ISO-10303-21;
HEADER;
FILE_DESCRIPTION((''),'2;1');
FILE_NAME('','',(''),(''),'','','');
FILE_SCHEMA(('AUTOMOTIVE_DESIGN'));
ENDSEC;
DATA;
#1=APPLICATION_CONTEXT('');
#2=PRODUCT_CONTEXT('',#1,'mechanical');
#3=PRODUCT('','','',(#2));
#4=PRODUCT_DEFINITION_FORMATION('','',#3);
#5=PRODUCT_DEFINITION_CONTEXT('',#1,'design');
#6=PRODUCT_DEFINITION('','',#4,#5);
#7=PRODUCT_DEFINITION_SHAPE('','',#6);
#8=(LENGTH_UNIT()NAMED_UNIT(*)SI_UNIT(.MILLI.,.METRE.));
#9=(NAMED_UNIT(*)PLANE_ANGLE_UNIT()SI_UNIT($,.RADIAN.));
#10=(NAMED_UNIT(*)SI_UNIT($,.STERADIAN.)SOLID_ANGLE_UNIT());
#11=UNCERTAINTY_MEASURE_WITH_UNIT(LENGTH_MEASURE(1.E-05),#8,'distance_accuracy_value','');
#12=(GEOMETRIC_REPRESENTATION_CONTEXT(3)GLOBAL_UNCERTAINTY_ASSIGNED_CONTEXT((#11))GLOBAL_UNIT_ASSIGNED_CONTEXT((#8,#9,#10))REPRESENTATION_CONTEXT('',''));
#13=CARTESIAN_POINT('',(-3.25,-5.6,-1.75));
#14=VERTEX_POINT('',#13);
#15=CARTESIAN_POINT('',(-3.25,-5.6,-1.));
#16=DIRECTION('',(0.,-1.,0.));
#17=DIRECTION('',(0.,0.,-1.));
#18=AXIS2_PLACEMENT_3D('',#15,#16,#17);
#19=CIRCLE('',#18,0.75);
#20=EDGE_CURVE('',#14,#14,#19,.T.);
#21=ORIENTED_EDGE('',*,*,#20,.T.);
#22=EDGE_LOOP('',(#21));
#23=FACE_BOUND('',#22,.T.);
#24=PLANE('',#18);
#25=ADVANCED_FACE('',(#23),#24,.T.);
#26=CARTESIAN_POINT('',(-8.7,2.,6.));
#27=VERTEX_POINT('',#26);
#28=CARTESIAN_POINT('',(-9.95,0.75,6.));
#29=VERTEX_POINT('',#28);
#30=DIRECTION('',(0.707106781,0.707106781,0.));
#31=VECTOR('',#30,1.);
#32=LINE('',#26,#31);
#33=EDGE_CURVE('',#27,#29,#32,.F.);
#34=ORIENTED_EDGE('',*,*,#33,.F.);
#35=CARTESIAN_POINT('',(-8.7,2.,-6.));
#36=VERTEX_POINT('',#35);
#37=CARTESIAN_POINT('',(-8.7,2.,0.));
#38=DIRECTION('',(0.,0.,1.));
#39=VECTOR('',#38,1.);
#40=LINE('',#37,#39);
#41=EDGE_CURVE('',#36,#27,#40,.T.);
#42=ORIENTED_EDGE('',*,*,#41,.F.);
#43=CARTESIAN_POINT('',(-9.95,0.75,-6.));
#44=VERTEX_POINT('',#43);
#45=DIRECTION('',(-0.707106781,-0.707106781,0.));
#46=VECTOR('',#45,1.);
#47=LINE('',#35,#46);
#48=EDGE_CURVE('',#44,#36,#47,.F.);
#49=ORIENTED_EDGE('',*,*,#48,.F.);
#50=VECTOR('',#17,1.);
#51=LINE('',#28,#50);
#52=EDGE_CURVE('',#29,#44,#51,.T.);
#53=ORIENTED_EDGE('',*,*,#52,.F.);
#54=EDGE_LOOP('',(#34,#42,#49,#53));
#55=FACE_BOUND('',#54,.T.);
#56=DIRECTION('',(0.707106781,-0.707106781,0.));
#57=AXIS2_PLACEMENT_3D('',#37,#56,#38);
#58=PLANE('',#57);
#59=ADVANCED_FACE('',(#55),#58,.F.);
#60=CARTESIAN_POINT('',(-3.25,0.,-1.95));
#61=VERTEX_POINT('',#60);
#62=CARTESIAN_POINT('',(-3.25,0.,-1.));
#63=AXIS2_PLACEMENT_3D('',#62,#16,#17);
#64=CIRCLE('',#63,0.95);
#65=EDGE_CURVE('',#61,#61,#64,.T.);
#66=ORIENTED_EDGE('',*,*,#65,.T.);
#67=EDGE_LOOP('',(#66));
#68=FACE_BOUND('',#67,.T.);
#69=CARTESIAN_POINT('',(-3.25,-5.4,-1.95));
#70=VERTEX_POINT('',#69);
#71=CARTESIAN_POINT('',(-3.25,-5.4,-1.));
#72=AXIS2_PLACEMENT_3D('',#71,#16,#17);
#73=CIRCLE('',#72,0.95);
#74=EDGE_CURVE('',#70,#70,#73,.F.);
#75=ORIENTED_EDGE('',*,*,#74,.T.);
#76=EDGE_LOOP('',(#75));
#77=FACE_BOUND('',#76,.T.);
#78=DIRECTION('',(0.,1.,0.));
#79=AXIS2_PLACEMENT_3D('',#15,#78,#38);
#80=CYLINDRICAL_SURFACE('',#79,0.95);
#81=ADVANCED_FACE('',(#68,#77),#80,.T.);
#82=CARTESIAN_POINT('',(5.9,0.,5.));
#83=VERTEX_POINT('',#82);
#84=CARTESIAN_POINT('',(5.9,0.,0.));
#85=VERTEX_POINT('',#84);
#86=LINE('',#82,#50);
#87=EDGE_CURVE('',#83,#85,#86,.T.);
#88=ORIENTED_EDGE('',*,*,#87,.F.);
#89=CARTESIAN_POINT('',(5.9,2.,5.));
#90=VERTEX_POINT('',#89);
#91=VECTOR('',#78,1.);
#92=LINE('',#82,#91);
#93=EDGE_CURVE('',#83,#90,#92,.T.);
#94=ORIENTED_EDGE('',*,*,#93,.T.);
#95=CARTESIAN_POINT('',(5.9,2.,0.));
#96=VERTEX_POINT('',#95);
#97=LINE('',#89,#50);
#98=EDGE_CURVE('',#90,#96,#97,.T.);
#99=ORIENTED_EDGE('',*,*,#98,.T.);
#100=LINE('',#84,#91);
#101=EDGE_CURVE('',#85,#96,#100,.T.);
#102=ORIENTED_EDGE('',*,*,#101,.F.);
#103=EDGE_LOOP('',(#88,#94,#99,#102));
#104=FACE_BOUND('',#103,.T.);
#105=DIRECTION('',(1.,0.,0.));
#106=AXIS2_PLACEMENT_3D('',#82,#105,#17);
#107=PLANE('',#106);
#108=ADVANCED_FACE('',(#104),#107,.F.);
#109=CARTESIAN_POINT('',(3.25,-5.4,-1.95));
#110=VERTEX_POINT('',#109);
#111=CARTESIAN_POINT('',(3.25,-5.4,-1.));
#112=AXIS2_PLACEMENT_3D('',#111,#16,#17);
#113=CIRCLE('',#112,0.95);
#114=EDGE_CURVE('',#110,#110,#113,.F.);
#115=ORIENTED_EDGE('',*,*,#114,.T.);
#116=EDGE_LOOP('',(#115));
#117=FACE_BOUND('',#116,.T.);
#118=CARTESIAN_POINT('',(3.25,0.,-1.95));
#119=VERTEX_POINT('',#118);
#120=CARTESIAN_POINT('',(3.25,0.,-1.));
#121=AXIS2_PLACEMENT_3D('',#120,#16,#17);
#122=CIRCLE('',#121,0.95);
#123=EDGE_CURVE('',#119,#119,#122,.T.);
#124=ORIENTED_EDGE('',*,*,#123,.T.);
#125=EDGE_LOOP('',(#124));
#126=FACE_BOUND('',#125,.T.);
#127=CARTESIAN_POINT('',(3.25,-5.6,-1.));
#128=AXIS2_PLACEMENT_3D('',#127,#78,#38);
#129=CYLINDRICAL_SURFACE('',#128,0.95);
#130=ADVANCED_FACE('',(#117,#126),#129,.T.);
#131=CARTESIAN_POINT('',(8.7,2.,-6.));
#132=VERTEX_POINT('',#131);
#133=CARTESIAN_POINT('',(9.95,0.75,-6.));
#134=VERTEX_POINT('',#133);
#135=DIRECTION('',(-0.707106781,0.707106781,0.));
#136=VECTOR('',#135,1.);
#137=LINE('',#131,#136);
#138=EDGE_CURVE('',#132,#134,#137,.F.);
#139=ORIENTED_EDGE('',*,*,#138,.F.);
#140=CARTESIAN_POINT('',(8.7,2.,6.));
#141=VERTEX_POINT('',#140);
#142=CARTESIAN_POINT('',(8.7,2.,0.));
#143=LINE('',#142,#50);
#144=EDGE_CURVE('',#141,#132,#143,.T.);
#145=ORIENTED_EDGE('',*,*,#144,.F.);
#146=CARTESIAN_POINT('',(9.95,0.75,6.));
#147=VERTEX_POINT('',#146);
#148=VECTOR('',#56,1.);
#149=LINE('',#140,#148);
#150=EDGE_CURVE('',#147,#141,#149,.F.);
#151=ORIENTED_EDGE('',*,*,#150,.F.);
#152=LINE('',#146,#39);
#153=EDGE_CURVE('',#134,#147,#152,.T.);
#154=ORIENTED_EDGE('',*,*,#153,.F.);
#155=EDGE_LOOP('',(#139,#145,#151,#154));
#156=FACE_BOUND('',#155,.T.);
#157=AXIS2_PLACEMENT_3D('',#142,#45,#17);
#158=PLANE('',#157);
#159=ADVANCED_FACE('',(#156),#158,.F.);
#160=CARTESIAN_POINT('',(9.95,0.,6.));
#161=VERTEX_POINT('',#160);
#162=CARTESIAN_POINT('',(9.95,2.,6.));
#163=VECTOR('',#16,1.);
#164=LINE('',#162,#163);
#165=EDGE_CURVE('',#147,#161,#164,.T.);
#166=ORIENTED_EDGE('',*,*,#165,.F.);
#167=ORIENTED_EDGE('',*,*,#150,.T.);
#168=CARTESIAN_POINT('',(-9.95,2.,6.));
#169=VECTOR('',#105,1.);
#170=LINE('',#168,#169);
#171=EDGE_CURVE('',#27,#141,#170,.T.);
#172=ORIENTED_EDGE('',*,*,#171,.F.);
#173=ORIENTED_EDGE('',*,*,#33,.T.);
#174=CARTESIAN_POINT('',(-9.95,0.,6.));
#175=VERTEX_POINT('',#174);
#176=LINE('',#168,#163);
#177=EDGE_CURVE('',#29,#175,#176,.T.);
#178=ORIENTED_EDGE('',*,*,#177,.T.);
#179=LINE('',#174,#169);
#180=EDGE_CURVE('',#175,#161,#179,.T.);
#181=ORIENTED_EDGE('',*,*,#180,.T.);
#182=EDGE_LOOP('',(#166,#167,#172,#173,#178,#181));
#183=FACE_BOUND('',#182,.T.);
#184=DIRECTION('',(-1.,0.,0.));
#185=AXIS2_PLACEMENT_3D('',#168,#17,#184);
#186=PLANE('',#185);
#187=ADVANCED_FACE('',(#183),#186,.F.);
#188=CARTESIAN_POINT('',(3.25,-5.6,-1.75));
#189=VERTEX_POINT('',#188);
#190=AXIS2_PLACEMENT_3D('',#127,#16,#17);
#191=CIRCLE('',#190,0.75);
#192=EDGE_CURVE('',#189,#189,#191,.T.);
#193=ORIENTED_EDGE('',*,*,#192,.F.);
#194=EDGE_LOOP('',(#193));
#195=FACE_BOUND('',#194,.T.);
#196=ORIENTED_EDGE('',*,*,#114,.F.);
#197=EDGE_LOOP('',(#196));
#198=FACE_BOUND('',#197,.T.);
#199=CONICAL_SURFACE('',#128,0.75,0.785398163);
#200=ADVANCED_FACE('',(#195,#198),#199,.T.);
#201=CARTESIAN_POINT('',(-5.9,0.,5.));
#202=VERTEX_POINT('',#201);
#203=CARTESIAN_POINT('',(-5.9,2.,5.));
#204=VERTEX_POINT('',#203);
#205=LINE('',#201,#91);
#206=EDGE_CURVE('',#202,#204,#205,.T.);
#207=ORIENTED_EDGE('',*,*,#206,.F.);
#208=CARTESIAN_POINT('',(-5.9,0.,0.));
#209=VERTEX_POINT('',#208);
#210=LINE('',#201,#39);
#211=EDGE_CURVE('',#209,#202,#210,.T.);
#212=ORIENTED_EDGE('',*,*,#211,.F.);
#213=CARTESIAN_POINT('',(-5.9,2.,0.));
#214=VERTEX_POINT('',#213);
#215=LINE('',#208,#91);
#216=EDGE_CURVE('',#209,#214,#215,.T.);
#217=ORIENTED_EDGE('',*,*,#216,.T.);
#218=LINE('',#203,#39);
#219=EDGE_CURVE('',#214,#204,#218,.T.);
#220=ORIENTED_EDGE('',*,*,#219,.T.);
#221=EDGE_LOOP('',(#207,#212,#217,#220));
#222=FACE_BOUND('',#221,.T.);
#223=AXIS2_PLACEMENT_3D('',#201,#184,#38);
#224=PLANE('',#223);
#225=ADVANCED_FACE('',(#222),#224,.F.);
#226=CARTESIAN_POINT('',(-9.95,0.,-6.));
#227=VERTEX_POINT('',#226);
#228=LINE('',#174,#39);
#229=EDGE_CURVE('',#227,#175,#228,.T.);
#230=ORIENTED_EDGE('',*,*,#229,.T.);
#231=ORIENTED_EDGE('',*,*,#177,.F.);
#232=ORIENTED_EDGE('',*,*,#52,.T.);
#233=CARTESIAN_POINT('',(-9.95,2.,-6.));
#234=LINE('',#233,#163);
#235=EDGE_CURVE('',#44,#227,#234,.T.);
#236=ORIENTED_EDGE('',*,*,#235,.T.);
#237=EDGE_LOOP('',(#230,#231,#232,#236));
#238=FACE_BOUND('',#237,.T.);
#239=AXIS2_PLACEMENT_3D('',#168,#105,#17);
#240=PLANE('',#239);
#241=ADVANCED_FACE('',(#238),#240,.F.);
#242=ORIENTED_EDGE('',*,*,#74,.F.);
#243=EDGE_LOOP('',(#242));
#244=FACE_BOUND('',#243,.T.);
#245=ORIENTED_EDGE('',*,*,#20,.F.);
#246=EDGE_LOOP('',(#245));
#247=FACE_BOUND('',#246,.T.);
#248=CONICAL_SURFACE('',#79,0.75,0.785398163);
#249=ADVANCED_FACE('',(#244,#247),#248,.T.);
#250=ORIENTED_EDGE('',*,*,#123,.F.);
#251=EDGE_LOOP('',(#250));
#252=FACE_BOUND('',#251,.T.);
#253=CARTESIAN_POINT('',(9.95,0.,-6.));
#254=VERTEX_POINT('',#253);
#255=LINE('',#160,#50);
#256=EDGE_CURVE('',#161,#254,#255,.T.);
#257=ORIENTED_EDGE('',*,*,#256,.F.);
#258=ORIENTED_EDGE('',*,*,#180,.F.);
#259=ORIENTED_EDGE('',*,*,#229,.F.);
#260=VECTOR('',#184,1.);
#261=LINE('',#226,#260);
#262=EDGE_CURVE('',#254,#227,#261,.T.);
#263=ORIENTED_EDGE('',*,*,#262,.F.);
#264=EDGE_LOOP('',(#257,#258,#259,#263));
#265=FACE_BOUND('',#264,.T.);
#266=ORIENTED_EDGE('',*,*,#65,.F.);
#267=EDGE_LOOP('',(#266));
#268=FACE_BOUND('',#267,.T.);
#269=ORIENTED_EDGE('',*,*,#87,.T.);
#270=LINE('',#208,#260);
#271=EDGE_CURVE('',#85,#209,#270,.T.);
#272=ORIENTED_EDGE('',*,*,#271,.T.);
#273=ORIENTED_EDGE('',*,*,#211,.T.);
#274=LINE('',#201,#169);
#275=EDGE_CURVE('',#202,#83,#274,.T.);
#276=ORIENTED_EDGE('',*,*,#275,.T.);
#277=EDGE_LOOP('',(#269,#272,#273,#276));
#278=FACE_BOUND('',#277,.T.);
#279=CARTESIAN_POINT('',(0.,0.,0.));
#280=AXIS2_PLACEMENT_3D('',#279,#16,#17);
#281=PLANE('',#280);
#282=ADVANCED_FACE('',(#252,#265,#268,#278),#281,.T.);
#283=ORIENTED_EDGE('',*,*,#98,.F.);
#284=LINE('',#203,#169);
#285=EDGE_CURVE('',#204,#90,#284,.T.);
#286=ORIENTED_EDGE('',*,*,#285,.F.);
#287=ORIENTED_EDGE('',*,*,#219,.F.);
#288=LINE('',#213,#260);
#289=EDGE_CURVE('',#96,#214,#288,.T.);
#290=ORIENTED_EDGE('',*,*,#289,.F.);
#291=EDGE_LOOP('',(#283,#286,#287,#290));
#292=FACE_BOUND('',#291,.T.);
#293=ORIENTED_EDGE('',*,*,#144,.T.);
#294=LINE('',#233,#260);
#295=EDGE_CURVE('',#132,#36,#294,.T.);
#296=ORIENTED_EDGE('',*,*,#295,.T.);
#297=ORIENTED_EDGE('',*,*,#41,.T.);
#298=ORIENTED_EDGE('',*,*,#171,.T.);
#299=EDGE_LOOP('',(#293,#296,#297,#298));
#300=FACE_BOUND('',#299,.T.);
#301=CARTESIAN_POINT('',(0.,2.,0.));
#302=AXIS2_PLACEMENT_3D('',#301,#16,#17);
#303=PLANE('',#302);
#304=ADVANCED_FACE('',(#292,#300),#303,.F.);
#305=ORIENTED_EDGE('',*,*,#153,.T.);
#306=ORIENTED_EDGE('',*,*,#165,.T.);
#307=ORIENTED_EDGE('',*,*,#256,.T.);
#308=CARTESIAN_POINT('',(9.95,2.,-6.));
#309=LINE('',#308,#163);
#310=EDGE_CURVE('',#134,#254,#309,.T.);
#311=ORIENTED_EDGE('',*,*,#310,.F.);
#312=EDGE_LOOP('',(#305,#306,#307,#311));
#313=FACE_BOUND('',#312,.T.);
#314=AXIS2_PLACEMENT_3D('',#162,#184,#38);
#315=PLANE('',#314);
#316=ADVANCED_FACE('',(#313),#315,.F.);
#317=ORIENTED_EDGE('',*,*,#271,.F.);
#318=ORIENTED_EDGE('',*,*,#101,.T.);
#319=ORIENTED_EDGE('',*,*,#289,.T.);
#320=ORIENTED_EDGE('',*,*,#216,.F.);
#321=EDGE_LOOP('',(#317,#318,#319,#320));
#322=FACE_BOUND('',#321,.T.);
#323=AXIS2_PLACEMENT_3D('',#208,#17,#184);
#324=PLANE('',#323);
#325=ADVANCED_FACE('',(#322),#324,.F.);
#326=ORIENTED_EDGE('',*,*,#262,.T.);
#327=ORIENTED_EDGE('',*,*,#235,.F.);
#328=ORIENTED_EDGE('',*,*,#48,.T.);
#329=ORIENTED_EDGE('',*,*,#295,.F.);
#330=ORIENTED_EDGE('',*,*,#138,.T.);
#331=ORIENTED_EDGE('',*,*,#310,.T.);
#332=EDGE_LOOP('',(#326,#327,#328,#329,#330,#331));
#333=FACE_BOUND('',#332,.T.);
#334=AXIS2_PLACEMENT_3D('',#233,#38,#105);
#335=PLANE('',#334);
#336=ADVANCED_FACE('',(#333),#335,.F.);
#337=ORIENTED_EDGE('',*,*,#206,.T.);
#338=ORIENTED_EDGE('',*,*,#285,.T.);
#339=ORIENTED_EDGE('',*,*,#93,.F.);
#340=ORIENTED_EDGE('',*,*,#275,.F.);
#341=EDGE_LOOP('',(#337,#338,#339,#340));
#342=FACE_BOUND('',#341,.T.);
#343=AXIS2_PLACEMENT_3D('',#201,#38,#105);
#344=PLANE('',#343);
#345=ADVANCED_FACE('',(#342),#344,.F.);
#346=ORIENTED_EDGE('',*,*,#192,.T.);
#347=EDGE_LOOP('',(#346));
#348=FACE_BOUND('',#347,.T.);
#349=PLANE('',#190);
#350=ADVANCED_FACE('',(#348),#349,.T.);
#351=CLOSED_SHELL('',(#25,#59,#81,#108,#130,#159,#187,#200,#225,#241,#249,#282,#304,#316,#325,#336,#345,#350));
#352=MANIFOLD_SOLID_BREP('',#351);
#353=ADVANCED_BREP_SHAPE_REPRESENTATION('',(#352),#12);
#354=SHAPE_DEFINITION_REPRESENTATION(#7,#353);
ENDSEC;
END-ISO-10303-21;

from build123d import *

# Parameters (mm, degrees)
SKETCH1_W           = 19.9
SKETCH1_H           = 12
BOSS_EXTRUDE1_DEPTH = 2
SKETCH2_W           = 11.8
SKETCH2_H           = 5
CUT_EXTRUDE1_DEPTH  = 3
CHAMFER1_SIZE       = 1.25
SKETCH3_R           = 0.95
BOSS_EXTRUDE2_DEPTH = 5.6
CHAMFER2_SIZE       = 0.2


with BuildPart() as part:
    # Sketch1 → Boss-Extrude1 (new body)
    with BuildSketch(Plane(origin=(0, 0, 0), x_dir=(1, 0, 0), z_dir=(0, 1, 0))):
        Rectangle(SKETCH1_W, SKETCH1_H)
    extrude(amount=BOSS_EXTRUDE1_DEPTH)

    # Sketch2 → Cut-Extrude1 (cut, through all)
    with BuildSketch(Plane(origin=(0, 2, 0), x_dir=(1, 0, 0), z_dir=(0, 1, 0))):
        with Locations((0, -2.5)):
            Rectangle(SKETCH2_W, SKETCH2_H)
    extrude(amount=-CUT_EXTRUDE1_DEPTH, mode=Mode.SUBTRACT)

    # Chamfer1
    chamfer1_edges = [part.edges().sort_by_distance(p)[0] for p in [
        (-9.95, 2, 0),
        (9.95, 2, 0),
    ]]
    chamfer(chamfer1_edges, length=CHAMFER1_SIZE)

    # Sketch3 → Boss-Extrude2 (add)
    with BuildSketch(Plane.XZ):
        with Locations((-3.25, -1)):
            Circle(SKETCH3_R)
        with Locations((3.25, -1)):
            Circle(SKETCH3_R)
    extrude(amount=BOSS_EXTRUDE2_DEPTH)

    # Chamfer2
    chamfer2_edges = [part.edges().sort_by_distance(p)[0] for p in [
        (-4.2, -5.6, -1),
        (2.3, -5.6, -1),
    ]]
    chamfer(chamfer2_edges, length=CHAMFER2_SIZE)


solid = part.part
